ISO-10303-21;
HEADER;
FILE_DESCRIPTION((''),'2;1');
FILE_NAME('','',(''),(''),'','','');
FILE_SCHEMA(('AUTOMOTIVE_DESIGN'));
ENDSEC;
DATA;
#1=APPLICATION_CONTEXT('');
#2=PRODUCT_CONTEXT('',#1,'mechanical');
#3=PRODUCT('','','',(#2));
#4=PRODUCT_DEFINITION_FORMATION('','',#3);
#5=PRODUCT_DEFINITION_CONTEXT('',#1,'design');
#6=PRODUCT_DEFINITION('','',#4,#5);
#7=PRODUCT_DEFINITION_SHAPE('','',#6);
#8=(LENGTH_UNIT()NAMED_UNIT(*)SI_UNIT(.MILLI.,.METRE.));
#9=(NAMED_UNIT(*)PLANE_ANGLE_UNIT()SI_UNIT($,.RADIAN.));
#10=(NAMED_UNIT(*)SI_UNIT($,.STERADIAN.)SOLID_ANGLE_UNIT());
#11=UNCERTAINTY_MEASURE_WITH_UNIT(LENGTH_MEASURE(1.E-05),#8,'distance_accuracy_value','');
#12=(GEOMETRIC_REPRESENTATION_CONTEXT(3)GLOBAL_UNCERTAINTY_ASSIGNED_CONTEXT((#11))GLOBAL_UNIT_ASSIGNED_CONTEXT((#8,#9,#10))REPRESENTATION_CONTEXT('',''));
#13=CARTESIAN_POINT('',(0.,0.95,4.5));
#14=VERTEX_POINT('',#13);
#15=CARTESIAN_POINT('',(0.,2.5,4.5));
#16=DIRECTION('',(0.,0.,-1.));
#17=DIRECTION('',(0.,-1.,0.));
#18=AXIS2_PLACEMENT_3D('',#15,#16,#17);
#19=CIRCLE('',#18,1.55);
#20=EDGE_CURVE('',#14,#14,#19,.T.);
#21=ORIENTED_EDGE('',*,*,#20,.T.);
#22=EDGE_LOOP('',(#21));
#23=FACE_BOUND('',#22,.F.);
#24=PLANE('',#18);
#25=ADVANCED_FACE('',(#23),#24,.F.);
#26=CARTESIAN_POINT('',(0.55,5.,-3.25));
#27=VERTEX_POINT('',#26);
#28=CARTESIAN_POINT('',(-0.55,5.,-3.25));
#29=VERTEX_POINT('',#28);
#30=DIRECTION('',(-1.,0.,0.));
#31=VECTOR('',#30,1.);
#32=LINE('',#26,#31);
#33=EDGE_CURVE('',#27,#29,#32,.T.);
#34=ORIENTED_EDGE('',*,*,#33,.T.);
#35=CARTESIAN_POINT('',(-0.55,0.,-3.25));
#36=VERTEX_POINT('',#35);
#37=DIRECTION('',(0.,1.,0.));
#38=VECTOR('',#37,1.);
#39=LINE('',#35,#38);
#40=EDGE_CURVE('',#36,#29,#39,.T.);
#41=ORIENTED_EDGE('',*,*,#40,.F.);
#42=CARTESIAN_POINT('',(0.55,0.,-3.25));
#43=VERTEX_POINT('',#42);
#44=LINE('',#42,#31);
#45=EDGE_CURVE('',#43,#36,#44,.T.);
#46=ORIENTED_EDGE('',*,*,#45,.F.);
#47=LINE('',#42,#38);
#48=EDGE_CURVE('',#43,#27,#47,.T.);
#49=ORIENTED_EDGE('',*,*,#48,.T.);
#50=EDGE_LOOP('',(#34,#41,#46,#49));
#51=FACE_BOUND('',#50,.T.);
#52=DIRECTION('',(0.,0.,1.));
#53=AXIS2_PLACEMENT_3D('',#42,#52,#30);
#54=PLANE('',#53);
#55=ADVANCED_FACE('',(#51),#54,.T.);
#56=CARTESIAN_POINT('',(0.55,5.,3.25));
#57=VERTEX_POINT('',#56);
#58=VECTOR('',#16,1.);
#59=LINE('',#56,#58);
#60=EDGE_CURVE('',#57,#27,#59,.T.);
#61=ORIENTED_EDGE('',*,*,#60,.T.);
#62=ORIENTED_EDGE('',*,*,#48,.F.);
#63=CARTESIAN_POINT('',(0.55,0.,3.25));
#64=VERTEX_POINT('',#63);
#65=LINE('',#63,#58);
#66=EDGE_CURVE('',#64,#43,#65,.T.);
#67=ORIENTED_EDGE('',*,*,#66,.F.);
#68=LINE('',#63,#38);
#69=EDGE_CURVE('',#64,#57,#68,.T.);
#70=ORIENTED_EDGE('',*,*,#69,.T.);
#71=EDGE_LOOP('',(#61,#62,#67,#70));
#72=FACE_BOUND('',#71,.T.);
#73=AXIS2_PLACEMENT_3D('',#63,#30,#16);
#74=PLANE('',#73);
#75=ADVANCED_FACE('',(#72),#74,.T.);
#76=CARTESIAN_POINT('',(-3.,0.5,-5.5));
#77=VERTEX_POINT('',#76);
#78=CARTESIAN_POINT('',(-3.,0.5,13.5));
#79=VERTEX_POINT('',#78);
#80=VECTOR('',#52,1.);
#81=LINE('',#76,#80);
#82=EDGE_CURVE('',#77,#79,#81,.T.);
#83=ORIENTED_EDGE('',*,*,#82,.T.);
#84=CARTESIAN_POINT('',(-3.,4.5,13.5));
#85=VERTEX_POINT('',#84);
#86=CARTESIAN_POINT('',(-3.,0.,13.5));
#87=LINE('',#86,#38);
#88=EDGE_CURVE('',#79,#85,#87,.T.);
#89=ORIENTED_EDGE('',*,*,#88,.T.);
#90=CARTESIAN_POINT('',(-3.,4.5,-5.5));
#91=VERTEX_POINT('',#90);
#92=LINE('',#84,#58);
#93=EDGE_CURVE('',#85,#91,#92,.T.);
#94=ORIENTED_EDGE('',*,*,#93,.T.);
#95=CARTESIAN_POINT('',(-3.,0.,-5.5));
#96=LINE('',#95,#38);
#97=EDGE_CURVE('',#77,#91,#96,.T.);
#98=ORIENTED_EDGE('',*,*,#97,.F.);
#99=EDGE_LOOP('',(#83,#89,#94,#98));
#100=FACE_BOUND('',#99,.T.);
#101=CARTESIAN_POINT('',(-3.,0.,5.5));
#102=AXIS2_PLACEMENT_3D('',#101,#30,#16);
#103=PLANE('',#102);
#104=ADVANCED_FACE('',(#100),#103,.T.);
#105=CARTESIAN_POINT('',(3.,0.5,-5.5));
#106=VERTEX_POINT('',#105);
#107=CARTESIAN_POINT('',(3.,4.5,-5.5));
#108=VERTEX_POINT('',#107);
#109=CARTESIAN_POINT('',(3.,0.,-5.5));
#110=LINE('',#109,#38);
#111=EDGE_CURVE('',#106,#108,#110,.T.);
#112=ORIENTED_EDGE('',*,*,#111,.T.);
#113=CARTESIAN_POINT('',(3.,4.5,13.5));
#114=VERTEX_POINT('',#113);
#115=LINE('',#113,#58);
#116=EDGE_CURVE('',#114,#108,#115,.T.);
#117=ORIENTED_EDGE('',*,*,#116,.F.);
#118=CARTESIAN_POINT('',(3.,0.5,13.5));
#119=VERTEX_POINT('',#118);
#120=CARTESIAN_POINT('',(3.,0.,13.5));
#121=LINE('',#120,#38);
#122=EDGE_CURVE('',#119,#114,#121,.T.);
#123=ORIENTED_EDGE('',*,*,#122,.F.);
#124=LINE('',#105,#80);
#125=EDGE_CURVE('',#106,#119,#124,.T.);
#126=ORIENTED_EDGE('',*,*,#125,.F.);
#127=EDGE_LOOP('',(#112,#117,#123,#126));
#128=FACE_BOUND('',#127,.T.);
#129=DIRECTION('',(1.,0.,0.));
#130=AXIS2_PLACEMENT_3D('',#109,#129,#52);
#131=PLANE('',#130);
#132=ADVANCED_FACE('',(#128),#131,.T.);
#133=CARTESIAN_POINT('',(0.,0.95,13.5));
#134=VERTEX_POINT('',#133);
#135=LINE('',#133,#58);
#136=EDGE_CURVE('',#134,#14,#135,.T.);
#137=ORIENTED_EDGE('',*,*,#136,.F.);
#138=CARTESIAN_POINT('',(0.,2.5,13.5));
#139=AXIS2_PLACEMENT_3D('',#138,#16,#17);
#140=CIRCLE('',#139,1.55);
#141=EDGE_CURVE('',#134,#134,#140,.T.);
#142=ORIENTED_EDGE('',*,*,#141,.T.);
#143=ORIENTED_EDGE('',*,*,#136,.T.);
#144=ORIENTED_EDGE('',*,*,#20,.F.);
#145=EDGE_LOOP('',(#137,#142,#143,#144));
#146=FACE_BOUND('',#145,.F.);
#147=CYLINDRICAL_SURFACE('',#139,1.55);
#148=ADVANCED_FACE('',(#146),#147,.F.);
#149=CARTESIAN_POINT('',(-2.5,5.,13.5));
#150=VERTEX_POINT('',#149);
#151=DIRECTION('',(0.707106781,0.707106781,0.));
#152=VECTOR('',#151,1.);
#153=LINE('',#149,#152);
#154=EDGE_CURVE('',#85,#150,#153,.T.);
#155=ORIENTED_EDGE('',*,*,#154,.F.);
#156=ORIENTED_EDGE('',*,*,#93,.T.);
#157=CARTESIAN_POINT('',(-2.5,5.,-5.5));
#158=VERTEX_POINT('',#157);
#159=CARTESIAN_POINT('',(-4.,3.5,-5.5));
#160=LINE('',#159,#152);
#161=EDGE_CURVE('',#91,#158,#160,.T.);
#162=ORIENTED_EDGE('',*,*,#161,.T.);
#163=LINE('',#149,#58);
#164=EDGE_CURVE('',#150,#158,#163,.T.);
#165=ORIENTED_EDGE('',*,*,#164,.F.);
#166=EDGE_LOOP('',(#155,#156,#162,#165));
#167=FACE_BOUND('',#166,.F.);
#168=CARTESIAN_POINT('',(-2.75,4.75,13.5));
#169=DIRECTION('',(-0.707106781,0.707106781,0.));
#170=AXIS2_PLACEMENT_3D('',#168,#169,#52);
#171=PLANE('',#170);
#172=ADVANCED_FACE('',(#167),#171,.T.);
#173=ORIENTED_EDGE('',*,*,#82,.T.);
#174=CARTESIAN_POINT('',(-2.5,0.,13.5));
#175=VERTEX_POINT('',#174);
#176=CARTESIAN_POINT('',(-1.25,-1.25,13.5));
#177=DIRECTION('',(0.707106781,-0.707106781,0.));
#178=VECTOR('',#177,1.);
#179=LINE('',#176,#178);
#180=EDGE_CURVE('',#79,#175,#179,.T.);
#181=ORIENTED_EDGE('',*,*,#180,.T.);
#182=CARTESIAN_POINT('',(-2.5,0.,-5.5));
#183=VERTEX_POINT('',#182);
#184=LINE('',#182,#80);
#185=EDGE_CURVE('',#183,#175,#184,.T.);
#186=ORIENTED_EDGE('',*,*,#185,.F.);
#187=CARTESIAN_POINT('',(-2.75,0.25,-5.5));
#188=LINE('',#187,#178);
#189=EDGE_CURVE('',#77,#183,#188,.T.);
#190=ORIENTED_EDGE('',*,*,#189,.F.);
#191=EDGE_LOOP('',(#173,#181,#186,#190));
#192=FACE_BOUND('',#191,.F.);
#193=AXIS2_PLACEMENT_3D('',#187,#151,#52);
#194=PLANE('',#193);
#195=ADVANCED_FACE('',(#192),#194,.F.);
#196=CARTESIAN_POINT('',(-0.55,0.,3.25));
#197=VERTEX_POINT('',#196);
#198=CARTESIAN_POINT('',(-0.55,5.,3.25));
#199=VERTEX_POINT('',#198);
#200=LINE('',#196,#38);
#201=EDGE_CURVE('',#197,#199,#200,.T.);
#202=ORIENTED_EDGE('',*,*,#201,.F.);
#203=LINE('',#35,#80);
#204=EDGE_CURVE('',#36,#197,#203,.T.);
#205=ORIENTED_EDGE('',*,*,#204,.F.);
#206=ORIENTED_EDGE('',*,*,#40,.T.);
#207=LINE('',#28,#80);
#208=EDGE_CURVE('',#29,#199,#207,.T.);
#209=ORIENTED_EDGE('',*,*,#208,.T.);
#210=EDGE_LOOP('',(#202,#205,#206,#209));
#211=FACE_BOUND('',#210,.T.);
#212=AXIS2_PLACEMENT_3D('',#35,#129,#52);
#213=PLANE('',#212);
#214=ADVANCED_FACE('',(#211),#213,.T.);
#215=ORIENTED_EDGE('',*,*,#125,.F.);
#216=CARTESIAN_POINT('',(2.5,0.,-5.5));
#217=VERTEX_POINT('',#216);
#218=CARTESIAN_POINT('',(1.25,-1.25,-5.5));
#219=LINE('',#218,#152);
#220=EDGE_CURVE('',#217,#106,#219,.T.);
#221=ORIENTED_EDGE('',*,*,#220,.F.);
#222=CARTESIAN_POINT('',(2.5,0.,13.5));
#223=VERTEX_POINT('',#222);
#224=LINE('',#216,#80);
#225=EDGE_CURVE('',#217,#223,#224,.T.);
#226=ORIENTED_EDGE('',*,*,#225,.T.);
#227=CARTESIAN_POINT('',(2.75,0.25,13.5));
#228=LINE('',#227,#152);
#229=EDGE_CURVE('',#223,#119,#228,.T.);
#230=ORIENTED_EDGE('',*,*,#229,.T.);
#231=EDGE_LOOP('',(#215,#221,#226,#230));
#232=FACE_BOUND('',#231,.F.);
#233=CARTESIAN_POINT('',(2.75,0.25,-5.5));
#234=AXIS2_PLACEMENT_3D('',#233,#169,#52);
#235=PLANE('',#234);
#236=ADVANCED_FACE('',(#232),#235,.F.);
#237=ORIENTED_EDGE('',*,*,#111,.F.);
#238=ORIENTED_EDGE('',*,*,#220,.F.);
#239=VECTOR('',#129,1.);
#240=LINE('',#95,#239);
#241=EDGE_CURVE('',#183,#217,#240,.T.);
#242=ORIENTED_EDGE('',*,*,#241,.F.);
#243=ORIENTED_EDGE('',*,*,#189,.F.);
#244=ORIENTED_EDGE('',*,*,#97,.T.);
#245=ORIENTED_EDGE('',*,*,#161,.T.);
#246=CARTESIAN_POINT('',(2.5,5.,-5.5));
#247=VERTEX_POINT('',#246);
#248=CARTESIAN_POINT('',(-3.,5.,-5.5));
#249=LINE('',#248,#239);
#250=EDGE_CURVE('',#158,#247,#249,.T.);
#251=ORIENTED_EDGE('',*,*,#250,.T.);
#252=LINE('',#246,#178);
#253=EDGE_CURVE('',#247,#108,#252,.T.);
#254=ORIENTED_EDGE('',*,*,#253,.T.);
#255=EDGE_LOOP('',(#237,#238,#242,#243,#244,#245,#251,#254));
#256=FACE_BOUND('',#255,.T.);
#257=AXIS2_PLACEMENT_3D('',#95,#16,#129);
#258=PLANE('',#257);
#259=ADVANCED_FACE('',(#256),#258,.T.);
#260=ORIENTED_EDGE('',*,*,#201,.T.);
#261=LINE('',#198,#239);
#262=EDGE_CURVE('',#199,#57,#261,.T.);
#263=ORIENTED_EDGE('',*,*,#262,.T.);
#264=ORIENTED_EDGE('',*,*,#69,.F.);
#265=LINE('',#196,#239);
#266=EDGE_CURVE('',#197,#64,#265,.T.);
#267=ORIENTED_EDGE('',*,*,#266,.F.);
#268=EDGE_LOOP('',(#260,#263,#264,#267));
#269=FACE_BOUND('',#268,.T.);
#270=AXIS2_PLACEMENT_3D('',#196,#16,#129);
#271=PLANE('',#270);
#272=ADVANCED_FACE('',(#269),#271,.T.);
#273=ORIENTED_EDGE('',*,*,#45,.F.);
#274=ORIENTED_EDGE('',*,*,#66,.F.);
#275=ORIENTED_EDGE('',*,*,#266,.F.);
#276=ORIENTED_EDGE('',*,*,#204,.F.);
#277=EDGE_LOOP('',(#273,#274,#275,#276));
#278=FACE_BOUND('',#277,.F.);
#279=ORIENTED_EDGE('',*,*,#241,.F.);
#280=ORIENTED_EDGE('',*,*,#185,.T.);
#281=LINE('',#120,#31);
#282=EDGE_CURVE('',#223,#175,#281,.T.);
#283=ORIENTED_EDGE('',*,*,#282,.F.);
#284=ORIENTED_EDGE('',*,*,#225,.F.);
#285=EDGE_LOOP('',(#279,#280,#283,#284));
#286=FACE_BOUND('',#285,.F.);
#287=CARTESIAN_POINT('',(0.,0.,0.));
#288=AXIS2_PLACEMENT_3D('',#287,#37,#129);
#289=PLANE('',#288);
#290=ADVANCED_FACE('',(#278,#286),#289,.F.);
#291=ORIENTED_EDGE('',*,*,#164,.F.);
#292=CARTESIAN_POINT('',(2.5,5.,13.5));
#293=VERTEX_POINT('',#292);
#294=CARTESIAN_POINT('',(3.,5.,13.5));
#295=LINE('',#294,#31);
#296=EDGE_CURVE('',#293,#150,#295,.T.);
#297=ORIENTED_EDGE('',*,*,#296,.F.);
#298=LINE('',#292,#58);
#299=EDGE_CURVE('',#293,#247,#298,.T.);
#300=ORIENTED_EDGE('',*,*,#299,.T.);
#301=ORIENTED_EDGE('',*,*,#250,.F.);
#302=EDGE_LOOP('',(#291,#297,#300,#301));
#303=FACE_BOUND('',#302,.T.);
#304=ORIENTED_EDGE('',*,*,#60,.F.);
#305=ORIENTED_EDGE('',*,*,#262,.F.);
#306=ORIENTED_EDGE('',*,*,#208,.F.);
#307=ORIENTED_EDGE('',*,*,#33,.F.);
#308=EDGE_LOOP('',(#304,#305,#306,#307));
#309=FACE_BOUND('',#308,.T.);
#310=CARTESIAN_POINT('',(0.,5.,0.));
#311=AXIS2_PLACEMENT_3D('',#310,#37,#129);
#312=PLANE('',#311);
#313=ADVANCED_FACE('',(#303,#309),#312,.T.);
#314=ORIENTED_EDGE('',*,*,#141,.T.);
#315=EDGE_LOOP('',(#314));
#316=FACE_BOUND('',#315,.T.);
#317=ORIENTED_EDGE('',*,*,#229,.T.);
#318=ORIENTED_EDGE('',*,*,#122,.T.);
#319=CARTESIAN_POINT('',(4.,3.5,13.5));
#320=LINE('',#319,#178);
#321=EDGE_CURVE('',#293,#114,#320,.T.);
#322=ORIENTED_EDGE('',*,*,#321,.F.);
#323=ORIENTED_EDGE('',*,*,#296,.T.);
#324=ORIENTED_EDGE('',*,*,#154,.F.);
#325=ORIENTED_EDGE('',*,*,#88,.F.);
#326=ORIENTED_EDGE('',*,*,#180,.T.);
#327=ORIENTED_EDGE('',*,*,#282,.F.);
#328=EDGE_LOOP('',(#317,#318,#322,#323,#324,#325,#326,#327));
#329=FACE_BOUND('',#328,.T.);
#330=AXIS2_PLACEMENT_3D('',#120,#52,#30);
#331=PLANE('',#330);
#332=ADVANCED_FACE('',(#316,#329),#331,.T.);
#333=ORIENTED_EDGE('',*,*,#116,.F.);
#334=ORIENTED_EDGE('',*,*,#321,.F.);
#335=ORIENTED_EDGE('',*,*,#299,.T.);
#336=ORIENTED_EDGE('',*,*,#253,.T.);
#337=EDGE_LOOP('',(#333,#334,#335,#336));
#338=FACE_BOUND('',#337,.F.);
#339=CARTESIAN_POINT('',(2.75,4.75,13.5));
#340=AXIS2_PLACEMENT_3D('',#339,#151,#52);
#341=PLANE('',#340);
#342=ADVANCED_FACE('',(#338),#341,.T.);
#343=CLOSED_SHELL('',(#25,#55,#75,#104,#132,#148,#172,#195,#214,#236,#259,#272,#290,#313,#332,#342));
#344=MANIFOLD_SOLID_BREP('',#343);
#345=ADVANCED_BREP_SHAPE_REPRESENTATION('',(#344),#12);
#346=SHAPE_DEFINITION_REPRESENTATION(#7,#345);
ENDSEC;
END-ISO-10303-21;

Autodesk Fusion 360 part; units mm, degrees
sketch "Sketch1" plane through (0, 0, 0) normal (0, 1, 0) x (1, 0, 0)
  line L0 (0.55, 3.25) -> (-0.55, 3.25)
  line L1 (-0.55, 3.25) -> (-0.55, -3.25)
  line L2 (-0.55, -3.25) -> (0.55, -3.25)
  line L3 (0.55, -3.25) -> (0.55, 3.25)
  line L4 (0.55, 3.25) -> (-0.55, -3.25) construction
  line L5 (-0.55, 3.25) -> (0.55, -3.25) construction
  line L6 (3, -5.5) -> (-3, -5.5)
  line L7 (-3, -5.5) -> (-3, 5.5)
  line L8 (-3, 5.5) -> (3, 5.5)
  line L9 (3, 5.5) -> (3, -5.5)
  line L10 (3, -5.5) -> (-3, 5.5) construction
  line L11 (-3, -5.5) -> (3, 5.5) construction
  dimension "d1" = 1.1
  dimension "d2" = 6.5
  dimension "d3" = 6
  dimension "d4" = 11
sketch "Sketch2" plane through (0, 0, 0) normal (0, 1, 0) x (1, 0, 0)
extrude "Extrude1" add sketch "Sketch1" along normal blind 5
extrude "Extrude2" add 1 faces at (1, 1.6667, 5.5) along direction (0, 0, 1) blind 8
hole "Hole1" at (0, 2.5, 13.5) direction (0, 0, -1) diameter 3.1 depth 9 tip angle 180
chamfer "Chamfer1" distance 0.5 angle 45 4 edges at (3, 5, 4) (-3, 5, 4) (3, 0, 4) (-3, 0, 4)
